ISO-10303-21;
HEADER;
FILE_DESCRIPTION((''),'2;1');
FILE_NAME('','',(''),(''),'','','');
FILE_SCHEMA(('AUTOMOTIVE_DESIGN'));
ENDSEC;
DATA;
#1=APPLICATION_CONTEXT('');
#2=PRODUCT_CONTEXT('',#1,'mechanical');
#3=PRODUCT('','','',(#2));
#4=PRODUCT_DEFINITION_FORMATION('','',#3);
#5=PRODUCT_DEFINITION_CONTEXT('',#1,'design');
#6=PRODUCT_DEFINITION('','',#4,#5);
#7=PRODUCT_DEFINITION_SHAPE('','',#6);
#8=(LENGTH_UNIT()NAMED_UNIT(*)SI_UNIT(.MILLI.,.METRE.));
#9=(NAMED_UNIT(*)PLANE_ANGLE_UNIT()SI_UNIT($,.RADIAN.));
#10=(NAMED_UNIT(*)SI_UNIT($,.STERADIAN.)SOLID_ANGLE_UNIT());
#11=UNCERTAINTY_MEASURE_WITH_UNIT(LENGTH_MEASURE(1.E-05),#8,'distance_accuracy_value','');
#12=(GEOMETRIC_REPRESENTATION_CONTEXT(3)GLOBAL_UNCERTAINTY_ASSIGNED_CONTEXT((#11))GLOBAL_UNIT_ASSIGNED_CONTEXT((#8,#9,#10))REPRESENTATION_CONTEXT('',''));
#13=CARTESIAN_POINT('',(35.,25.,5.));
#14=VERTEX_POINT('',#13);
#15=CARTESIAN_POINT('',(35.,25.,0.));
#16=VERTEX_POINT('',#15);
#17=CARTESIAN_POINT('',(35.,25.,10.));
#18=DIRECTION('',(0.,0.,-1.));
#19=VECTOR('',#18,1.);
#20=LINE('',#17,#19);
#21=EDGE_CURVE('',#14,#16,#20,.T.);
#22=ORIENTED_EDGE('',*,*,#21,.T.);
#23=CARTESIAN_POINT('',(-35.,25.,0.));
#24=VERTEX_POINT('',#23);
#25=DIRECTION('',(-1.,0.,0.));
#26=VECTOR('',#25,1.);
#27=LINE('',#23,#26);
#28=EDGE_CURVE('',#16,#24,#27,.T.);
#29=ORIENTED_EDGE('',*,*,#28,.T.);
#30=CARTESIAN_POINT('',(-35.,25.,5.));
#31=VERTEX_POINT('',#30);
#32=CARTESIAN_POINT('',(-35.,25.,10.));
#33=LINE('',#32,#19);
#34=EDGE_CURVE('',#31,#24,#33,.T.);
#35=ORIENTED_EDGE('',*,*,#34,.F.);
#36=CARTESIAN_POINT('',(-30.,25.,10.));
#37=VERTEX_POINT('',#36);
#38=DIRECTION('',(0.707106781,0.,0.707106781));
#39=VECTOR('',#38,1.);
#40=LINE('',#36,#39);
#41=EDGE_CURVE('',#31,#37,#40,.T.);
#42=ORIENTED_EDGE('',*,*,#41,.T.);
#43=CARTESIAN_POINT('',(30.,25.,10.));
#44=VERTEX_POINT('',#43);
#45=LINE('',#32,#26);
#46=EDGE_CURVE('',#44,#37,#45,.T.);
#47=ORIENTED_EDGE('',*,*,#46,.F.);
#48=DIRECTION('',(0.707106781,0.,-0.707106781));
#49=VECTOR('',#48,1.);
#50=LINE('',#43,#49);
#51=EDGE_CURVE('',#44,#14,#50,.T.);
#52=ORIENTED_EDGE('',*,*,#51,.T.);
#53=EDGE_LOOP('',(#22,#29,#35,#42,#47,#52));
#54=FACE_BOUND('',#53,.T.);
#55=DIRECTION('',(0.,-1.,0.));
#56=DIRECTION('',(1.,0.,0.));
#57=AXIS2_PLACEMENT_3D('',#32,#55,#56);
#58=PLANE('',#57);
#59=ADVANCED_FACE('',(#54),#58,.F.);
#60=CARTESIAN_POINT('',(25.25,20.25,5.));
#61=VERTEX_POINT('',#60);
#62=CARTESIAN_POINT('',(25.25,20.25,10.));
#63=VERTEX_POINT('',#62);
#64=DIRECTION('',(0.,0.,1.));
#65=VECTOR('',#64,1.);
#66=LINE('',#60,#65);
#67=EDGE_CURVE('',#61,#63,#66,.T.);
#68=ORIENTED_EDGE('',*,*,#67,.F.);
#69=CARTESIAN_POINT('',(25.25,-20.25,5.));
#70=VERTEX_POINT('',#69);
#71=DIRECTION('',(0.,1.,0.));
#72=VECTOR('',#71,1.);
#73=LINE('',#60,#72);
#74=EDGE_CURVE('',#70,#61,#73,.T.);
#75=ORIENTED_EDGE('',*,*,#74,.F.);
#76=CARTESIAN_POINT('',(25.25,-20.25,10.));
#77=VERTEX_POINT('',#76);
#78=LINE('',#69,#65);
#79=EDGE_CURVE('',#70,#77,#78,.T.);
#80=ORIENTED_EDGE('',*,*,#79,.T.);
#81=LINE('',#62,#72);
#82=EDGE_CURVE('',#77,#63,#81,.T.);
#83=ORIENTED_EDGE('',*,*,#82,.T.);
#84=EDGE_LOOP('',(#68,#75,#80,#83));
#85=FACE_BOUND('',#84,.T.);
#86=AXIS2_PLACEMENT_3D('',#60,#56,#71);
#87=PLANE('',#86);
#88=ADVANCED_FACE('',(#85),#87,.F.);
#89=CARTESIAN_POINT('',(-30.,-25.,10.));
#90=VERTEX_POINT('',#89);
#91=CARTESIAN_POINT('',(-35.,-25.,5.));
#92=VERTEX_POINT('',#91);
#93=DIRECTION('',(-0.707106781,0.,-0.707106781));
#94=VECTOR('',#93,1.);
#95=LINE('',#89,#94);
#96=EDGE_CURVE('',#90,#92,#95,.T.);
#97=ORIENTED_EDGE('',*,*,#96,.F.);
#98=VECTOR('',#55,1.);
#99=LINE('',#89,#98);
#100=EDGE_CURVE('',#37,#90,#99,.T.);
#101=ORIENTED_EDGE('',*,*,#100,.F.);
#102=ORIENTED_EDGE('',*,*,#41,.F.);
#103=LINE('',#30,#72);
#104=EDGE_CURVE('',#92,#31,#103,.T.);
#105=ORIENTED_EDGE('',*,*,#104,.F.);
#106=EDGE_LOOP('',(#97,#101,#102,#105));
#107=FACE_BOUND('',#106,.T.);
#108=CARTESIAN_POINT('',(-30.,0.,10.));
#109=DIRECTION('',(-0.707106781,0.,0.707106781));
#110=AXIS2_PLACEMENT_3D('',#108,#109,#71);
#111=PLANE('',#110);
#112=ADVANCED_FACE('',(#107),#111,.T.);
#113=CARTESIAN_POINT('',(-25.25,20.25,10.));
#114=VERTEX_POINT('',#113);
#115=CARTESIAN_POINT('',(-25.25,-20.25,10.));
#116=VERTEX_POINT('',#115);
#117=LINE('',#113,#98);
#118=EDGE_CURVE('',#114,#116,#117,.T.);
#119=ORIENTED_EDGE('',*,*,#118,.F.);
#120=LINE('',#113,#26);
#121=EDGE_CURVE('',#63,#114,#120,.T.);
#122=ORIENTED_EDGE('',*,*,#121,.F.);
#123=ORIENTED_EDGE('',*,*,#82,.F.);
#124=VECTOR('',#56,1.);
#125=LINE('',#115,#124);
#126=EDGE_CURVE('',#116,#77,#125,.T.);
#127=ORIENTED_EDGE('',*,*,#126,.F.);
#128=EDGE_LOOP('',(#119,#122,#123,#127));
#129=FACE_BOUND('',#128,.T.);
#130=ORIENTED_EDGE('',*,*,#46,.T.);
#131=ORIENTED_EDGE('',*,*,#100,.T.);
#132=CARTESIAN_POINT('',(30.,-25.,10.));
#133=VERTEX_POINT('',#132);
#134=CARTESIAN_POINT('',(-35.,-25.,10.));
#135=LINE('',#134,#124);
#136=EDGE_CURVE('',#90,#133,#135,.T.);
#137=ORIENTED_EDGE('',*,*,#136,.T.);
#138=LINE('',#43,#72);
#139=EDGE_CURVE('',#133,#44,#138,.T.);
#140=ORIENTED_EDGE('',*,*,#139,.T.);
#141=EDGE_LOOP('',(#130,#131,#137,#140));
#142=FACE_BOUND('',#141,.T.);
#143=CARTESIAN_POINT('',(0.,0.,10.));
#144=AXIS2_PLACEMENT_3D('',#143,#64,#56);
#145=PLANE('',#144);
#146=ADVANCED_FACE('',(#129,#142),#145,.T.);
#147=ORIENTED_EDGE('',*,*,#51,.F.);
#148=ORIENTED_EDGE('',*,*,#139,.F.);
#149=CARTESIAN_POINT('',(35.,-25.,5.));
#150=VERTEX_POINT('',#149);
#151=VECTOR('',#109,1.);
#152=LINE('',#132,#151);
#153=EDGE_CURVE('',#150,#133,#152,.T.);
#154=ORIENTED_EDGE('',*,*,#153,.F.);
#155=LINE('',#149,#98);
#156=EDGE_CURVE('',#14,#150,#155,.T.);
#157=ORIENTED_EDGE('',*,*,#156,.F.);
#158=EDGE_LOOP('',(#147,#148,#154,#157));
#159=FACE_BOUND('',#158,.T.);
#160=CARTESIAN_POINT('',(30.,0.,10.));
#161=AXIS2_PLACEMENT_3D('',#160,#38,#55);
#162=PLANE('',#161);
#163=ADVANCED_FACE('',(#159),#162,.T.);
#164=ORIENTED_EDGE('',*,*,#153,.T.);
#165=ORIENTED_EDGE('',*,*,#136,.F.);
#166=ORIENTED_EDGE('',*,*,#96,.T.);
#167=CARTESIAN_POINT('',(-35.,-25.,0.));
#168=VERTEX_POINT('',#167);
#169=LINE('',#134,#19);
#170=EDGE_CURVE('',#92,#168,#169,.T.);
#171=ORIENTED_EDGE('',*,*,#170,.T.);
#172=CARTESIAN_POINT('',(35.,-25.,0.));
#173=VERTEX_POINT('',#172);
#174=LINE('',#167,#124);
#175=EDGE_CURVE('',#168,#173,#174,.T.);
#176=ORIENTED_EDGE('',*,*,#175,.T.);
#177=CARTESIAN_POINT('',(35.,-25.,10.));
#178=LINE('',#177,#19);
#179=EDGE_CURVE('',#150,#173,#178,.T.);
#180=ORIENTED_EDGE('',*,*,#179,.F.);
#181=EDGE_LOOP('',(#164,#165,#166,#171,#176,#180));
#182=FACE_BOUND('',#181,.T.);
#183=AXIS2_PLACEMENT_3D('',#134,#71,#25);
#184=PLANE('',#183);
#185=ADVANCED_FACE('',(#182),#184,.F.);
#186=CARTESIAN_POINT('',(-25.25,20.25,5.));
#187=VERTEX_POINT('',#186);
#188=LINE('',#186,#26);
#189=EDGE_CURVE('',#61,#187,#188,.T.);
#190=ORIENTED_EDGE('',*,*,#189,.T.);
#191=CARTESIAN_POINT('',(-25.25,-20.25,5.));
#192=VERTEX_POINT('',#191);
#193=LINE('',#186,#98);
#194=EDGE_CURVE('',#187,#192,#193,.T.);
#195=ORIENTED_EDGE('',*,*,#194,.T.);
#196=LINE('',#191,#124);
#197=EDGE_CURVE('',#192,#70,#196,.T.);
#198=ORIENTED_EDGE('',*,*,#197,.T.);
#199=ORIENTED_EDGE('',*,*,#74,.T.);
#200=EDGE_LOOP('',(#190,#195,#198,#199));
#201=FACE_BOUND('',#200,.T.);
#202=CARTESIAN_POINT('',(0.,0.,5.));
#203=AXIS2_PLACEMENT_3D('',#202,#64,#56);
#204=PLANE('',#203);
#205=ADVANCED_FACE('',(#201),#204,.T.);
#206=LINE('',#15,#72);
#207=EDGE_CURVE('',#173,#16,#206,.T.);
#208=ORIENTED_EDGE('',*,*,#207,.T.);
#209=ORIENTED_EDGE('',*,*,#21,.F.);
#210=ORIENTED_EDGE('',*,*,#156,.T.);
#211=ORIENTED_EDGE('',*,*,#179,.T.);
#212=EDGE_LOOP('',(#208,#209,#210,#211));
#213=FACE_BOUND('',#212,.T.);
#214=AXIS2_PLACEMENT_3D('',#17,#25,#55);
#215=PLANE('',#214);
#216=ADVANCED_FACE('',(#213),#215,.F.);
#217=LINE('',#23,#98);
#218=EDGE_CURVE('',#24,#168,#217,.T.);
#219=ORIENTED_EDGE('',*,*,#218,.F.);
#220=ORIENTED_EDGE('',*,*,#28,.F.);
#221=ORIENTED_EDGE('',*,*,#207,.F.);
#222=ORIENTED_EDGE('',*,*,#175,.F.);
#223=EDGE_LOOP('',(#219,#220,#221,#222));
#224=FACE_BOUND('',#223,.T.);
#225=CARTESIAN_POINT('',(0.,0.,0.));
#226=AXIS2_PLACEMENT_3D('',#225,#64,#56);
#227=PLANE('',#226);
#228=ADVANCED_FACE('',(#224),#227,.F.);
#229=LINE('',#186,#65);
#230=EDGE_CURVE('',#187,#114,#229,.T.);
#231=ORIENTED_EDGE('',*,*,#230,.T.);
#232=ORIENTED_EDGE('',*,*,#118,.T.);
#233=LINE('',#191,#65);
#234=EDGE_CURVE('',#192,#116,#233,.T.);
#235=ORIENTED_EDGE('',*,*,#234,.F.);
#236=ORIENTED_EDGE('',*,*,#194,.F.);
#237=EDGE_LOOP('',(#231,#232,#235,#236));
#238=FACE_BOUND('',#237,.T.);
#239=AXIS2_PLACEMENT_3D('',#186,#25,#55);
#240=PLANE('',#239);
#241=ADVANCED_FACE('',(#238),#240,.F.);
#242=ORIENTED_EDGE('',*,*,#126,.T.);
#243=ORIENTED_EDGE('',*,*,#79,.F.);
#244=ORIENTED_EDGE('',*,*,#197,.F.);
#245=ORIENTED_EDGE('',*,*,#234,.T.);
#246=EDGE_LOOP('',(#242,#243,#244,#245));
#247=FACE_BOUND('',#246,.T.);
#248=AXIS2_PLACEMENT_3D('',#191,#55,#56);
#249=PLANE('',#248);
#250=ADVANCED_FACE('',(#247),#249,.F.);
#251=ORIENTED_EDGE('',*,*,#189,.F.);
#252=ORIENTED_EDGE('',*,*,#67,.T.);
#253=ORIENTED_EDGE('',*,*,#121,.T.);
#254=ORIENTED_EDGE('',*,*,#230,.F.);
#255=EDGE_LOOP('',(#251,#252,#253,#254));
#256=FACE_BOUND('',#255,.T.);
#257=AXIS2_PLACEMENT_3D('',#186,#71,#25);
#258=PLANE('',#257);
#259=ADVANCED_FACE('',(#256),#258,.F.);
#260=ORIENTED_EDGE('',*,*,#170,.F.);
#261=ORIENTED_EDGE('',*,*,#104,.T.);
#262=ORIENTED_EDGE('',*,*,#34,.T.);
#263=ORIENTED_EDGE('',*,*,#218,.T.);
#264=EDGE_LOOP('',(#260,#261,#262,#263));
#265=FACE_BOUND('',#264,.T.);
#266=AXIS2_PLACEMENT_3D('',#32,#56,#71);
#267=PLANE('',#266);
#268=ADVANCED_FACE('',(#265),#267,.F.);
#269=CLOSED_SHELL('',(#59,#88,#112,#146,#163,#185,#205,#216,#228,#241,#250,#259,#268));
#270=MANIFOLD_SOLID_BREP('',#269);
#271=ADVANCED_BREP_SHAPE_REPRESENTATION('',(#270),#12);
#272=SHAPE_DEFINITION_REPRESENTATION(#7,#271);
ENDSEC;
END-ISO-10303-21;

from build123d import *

# Parameters (mm, degrees)
SKIZZE1_W                       = 70
SKIZZE1_H                       = 50
AUFSATZ_LINEAR_AUSTRAGEN1_DEPTH = 10
SKIZZE2_W                       = 50.5
SKIZZE2_H                       = 40.5
SCHNITT_LINEAR_AUSTRAGEN1_DEPTH = 5
FASE2_SIZE                      = 5


with BuildPart() as part:
    # Skizze1 → Aufsatz-Linear austragen1 (new body)
    with BuildSketch(Plane.XY):
        Rectangle(SKIZZE1_W, SKIZZE1_H)
    extrude(amount=AUFSATZ_LINEAR_AUSTRAGEN1_DEPTH)

    # Skizze2 → Schnitt-Linear austragen1 (cut)
    with BuildSketch(Plane.XY.offset(10)):
        Rectangle(SKIZZE2_W, SKIZZE2_H)
    extrude(amount=-SCHNITT_LINEAR_AUSTRAGEN1_DEPTH, mode=Mode.SUBTRACT)

    # Fase2
    fase2_edges = [part.edges().sort_by_distance(p)[0] for p in [
        (35, 0, 10),
        (-35, 0, 10),
    ]]
    chamfer(fase2_edges, length=FASE2_SIZE)


solid = part.part
